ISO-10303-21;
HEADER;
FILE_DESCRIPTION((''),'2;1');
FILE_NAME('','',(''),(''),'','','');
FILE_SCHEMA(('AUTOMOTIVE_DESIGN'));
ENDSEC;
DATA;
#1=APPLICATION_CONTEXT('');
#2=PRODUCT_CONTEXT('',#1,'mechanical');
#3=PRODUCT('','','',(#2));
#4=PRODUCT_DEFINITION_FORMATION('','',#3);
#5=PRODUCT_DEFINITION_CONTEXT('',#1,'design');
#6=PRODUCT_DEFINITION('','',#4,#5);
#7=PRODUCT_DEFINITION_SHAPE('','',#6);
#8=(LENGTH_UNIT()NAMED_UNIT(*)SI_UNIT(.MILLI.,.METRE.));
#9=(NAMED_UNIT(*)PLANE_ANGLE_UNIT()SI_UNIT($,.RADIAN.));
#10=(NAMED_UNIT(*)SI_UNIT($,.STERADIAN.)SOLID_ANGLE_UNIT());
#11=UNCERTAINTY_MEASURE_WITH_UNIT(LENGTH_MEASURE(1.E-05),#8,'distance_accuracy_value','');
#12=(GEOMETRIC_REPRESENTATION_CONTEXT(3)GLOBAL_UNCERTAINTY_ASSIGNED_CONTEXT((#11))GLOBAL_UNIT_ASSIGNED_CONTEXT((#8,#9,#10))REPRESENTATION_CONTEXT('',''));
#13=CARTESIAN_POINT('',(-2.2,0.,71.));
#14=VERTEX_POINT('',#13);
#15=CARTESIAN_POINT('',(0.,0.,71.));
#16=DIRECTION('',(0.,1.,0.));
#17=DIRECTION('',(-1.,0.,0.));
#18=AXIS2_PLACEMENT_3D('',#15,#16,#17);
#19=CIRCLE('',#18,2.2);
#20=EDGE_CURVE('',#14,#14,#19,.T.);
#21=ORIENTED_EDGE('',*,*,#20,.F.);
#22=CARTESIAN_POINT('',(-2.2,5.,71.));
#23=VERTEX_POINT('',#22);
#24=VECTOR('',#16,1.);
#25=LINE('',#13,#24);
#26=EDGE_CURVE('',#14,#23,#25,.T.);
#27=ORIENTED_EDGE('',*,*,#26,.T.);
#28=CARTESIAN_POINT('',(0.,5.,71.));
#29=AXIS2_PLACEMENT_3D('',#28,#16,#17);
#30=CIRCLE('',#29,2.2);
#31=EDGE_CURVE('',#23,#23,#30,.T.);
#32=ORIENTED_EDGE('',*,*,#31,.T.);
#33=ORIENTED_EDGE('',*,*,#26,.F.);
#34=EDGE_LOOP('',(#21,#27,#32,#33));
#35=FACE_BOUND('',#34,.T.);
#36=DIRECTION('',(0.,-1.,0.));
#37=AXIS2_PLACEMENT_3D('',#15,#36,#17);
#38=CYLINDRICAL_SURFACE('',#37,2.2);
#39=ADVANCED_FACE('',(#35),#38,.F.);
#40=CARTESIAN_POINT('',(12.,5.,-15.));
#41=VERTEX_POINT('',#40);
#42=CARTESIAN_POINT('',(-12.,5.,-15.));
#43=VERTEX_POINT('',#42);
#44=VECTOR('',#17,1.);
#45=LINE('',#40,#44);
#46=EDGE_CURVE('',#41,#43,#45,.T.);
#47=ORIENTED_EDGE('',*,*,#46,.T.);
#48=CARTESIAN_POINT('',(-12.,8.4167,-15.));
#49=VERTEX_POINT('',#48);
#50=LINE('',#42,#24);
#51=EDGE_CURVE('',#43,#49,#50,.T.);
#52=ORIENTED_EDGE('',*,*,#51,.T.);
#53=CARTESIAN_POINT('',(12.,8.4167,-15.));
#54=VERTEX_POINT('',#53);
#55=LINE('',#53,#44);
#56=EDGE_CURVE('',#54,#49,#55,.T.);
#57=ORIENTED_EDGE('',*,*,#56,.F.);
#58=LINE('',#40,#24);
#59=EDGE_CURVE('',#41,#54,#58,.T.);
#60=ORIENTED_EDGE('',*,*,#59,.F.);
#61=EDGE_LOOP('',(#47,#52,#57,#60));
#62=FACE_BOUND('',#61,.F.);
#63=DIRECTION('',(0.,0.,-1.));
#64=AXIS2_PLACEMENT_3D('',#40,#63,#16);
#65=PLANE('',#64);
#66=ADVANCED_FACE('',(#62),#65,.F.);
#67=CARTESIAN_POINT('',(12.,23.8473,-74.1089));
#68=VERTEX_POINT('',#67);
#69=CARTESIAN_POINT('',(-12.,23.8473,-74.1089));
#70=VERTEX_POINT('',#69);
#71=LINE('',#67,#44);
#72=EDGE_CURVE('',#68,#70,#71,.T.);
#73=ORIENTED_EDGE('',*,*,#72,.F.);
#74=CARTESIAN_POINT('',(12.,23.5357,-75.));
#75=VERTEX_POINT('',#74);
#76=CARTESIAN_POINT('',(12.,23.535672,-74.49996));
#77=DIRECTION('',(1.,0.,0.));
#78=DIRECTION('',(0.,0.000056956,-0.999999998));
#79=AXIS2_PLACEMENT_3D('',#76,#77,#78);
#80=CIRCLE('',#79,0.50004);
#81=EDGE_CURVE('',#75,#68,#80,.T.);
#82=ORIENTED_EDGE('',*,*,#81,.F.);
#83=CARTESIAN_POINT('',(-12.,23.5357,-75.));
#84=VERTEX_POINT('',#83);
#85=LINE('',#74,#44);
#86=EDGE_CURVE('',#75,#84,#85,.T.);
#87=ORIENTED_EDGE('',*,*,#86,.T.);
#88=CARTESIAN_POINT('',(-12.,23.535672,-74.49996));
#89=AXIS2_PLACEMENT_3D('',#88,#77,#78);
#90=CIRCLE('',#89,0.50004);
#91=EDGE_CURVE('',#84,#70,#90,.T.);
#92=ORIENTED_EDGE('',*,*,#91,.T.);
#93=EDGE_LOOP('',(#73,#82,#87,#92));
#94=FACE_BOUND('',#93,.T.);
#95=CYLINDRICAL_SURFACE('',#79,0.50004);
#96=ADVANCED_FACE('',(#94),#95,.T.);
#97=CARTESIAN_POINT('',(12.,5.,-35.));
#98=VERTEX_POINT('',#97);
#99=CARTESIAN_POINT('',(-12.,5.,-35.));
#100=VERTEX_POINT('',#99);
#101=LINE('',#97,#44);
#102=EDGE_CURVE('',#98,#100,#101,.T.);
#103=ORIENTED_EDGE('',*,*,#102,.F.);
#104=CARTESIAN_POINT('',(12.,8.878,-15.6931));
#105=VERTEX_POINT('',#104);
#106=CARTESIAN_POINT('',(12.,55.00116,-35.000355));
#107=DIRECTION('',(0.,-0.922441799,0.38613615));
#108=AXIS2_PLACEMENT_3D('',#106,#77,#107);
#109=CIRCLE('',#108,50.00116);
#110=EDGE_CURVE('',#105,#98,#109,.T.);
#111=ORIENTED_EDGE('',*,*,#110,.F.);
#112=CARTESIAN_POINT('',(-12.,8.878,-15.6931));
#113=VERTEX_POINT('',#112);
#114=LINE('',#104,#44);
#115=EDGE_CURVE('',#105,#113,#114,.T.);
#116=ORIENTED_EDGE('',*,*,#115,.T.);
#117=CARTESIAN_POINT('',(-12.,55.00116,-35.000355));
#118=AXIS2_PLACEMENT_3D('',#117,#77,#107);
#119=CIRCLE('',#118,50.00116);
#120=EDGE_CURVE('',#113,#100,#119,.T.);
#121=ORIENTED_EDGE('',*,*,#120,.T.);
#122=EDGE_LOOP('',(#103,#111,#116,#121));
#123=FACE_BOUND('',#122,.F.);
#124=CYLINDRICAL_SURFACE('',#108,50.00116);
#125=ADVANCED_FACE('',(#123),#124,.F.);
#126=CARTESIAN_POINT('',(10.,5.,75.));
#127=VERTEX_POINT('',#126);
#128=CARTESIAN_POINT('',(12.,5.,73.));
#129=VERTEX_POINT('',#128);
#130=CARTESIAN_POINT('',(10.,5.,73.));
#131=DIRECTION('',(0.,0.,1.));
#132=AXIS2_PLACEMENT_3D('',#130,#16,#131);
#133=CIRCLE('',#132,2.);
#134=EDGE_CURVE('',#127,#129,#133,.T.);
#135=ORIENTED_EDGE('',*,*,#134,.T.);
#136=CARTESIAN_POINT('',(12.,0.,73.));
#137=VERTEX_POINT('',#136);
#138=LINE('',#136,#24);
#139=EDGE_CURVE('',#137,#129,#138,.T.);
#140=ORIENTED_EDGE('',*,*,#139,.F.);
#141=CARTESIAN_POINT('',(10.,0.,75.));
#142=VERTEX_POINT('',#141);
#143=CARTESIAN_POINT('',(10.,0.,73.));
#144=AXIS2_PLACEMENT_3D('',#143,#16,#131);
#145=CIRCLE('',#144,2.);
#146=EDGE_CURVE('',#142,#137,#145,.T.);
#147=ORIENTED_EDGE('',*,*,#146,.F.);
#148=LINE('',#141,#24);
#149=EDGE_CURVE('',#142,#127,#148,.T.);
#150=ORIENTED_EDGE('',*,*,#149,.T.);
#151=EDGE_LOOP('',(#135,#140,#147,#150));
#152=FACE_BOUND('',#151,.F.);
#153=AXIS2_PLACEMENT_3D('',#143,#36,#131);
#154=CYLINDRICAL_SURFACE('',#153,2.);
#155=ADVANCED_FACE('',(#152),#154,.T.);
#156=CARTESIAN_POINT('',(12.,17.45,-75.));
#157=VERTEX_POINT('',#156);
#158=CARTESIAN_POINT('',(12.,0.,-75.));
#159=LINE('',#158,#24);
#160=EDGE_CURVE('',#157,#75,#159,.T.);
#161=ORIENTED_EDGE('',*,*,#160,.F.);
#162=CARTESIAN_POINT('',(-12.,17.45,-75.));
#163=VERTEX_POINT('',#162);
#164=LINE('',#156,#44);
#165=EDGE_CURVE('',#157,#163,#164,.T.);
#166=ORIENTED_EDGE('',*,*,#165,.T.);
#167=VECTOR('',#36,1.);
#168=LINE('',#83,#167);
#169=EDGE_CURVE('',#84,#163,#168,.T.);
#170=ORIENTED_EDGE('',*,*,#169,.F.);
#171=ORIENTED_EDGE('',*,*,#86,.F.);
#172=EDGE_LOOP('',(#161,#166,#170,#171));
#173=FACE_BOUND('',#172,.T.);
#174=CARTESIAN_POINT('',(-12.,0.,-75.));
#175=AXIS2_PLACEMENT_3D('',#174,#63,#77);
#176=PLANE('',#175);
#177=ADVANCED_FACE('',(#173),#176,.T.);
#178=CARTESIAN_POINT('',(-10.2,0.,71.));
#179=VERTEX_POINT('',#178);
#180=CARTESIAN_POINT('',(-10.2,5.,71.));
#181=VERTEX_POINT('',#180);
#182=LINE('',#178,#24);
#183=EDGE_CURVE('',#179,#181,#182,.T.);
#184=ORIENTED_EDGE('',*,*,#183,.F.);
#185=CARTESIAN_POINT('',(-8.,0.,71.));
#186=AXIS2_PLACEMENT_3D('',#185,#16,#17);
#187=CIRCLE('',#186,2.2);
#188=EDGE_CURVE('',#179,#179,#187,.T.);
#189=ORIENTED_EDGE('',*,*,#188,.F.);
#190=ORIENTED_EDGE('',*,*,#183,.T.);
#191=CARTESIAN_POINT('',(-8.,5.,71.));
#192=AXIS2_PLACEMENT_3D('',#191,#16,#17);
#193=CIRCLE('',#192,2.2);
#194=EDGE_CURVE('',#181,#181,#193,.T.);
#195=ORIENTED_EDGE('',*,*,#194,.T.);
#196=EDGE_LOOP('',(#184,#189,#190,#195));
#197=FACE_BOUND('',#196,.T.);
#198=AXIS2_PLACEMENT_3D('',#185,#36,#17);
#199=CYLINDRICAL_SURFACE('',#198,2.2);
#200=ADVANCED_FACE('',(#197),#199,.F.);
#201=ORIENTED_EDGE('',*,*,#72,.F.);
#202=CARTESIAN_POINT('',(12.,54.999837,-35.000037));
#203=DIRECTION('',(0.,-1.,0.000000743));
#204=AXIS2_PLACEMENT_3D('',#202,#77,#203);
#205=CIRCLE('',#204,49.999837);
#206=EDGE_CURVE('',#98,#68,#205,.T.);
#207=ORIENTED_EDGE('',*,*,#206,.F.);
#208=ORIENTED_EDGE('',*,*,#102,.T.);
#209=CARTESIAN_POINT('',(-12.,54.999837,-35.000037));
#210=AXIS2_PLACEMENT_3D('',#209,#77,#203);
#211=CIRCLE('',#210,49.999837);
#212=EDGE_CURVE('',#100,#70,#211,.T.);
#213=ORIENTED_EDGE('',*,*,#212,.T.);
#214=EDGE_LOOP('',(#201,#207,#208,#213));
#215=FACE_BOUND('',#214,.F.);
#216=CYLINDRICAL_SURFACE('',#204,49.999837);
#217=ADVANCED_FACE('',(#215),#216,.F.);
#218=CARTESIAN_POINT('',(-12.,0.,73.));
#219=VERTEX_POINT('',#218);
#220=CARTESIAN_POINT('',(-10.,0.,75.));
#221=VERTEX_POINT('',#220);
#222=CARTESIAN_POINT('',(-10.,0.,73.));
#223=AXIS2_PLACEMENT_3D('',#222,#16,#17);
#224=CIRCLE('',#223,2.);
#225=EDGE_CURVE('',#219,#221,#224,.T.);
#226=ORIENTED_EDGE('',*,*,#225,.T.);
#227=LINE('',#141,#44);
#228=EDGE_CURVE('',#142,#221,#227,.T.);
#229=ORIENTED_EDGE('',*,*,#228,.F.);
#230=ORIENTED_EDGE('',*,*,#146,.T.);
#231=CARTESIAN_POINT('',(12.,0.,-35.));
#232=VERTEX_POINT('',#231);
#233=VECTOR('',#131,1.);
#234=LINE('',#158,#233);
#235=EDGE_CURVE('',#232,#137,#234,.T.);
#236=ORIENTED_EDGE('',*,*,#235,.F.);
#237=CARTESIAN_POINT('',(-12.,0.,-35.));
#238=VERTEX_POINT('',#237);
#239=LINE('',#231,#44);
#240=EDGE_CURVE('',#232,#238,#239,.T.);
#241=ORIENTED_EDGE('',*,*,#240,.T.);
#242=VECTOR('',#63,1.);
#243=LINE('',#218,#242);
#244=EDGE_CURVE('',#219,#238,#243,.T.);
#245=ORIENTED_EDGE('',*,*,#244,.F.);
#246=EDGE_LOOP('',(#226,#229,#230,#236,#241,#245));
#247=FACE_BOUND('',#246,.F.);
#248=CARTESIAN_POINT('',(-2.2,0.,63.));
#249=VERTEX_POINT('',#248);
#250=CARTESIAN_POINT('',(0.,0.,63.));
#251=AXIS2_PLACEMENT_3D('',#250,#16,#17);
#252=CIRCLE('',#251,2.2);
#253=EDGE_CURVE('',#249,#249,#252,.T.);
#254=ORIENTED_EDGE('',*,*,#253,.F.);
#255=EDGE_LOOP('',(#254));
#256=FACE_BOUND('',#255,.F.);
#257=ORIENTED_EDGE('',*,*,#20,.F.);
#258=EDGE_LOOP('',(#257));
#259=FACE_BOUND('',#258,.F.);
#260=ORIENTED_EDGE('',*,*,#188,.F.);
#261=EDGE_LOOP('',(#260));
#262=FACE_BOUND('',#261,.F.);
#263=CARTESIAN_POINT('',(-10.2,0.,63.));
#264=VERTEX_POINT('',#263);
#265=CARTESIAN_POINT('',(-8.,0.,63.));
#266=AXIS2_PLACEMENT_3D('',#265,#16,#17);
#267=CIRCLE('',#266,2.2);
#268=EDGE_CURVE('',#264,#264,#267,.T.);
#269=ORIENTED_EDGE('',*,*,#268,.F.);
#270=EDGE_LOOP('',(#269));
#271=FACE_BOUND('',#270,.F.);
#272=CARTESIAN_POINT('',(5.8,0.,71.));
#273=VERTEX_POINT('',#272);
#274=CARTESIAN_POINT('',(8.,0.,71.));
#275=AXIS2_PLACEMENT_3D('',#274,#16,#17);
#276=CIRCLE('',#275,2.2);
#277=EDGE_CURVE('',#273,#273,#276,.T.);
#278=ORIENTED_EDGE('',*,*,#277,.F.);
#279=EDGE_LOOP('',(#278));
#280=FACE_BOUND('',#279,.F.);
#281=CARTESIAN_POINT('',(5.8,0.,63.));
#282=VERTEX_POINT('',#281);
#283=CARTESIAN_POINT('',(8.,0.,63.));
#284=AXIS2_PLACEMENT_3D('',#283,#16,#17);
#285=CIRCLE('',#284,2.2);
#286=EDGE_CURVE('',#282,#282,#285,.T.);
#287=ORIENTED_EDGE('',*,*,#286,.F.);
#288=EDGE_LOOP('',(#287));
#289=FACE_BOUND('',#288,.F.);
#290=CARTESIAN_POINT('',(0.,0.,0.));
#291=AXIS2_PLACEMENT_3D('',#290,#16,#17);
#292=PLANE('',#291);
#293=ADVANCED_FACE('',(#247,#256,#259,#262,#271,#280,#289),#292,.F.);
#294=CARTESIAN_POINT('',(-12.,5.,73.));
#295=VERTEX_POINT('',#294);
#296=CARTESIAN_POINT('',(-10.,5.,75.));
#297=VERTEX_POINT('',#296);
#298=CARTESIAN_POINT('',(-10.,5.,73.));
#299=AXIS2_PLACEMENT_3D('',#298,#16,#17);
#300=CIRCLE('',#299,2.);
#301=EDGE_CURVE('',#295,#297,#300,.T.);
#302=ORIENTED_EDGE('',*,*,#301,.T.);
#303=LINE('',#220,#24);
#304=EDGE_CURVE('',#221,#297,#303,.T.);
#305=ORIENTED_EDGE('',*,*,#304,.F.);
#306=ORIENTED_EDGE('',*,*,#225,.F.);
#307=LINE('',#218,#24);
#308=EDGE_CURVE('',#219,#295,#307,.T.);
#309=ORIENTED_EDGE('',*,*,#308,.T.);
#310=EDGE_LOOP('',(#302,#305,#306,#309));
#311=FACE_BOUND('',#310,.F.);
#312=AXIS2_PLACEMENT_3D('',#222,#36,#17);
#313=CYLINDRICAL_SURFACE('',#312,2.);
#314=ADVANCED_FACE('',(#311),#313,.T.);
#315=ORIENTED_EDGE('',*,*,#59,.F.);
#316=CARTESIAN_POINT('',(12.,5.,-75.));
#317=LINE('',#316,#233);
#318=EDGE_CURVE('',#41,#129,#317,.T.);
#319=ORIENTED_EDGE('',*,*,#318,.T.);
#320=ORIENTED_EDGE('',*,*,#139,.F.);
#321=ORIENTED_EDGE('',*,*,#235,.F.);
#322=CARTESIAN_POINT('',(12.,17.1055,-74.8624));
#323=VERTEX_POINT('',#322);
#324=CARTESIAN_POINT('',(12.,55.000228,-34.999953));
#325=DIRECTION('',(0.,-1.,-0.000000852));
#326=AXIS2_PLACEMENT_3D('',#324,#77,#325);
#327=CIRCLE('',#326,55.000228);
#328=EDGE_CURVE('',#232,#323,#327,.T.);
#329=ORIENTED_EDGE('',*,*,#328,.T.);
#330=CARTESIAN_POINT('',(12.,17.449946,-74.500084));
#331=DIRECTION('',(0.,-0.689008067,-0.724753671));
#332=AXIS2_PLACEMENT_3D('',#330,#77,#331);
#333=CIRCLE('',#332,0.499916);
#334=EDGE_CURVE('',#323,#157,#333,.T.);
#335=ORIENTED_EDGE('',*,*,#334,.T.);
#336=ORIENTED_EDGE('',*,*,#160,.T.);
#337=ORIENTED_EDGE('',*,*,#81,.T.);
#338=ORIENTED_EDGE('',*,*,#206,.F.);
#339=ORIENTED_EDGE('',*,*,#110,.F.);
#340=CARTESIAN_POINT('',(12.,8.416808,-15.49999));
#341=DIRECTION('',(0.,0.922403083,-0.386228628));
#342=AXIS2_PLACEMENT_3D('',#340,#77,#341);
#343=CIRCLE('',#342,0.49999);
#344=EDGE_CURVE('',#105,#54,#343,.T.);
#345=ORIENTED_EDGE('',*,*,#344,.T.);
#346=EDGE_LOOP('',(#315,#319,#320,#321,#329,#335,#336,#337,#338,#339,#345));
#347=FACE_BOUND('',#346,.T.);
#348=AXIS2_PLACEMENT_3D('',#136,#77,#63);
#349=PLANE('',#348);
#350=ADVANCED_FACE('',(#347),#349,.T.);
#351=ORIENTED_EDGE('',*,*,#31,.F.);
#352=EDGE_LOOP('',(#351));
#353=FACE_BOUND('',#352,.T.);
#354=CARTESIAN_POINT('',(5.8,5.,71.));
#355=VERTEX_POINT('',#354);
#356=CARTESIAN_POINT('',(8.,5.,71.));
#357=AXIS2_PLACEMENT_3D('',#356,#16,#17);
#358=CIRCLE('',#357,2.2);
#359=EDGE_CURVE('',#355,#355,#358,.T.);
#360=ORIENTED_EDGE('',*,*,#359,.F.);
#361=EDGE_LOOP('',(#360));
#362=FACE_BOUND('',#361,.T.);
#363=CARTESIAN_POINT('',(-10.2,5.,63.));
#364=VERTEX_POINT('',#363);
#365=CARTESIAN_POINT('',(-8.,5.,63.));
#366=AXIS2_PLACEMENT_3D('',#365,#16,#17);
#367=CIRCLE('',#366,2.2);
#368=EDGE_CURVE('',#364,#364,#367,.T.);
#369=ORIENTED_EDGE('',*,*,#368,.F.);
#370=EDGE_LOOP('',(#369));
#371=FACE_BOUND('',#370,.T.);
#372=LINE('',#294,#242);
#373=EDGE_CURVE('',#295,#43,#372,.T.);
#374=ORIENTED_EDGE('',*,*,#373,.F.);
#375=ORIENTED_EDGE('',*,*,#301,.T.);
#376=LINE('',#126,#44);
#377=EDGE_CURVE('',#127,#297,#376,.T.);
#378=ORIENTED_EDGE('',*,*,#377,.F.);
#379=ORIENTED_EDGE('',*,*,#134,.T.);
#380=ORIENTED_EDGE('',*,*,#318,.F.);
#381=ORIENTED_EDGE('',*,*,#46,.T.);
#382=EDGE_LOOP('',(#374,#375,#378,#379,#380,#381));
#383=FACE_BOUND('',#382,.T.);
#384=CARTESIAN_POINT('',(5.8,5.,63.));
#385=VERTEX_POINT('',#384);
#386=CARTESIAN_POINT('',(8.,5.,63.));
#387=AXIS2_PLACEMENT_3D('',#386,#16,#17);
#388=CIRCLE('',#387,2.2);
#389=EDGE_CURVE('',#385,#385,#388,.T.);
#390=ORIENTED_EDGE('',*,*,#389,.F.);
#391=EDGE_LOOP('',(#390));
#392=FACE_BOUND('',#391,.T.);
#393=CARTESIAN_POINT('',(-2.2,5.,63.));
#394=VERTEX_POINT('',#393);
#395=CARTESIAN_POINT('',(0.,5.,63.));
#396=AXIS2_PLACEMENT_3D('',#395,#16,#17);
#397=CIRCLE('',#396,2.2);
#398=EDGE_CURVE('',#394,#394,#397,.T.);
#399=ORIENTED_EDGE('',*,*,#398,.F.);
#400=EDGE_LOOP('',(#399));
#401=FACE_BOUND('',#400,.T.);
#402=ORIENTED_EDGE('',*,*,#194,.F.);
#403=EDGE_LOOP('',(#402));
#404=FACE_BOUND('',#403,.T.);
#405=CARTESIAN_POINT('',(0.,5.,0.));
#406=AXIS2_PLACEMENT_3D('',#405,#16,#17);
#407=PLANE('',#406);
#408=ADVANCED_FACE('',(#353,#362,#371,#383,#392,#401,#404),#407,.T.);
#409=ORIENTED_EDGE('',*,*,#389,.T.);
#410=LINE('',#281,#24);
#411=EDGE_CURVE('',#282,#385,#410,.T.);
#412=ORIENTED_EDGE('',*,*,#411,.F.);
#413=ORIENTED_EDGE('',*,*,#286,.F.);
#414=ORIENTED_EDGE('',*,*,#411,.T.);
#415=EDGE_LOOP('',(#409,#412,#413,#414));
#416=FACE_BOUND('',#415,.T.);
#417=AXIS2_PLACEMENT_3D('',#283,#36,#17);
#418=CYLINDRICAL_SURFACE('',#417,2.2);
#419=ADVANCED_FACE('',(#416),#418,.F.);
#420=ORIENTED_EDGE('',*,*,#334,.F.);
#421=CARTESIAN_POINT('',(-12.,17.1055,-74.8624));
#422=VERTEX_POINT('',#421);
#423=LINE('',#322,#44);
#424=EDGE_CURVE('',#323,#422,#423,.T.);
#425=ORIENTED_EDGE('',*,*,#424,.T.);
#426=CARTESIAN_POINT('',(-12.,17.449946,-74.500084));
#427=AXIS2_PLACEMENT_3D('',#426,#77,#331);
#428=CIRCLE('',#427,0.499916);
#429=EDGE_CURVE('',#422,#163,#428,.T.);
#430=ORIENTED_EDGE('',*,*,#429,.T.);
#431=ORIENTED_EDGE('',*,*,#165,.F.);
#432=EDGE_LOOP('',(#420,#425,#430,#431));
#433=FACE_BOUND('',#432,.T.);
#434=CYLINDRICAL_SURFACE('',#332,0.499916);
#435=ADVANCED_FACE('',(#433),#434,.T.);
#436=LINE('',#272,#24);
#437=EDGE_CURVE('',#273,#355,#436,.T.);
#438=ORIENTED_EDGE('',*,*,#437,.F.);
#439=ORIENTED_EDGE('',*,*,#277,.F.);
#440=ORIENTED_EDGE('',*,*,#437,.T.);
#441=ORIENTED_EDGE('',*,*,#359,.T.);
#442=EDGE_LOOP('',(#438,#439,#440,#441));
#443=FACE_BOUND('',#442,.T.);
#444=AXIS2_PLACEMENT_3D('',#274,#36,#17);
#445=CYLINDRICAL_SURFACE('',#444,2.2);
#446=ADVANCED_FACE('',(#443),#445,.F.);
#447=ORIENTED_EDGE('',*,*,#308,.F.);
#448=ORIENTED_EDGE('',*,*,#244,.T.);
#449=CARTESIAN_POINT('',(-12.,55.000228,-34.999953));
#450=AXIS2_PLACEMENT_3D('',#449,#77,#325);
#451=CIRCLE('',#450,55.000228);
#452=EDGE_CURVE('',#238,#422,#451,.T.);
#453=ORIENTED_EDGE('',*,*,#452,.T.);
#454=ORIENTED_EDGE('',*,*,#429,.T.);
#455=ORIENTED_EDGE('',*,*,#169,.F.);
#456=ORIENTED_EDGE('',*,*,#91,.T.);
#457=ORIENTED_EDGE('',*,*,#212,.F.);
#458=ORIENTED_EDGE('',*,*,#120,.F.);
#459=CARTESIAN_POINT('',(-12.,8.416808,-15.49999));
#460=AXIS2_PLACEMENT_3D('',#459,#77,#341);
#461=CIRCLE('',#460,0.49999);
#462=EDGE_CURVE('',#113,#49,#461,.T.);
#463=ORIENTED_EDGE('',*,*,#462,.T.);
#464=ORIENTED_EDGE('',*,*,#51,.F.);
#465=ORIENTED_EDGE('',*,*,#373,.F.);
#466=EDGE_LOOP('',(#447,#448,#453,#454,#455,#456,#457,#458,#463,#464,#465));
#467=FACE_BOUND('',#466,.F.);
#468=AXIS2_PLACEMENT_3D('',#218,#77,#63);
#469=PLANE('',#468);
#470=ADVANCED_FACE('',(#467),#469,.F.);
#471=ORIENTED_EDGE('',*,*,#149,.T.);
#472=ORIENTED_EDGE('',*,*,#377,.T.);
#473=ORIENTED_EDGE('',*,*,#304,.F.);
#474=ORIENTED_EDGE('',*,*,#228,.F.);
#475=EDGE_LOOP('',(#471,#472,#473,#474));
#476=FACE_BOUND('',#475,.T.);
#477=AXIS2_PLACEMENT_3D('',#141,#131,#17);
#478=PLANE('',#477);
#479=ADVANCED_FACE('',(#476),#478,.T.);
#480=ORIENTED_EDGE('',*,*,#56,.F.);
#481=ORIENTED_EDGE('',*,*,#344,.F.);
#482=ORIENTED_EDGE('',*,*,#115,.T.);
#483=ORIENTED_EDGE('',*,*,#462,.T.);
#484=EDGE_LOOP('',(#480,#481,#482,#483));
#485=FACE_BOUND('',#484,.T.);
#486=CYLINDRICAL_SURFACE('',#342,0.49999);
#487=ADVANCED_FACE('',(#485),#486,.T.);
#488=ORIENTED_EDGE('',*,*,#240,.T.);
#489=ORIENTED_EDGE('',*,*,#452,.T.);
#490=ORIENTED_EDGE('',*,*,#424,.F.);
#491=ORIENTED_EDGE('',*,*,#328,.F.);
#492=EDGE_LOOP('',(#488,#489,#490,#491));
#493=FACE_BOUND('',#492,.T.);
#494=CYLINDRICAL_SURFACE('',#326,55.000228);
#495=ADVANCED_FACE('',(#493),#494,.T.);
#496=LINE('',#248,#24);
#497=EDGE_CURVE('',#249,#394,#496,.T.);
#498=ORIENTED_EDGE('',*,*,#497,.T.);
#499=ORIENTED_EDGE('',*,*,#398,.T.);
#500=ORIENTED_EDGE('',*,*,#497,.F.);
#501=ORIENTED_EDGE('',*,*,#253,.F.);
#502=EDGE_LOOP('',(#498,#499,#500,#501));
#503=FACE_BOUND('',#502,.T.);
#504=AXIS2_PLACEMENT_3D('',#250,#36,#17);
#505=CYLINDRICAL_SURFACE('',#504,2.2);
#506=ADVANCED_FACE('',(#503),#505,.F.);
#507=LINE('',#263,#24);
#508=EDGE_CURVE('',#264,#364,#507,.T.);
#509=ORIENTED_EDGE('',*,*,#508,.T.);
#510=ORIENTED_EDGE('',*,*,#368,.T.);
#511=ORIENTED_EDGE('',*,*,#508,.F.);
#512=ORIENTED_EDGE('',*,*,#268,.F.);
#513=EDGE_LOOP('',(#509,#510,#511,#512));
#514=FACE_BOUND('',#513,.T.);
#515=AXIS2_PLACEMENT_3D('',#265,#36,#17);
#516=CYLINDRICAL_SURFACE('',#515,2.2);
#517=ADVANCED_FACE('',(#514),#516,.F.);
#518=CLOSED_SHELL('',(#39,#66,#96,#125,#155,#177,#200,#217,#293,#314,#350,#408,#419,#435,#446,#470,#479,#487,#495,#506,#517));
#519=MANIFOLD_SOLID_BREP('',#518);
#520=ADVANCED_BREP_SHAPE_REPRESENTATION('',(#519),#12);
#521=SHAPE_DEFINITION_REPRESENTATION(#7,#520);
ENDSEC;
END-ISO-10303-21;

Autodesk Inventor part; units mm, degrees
ref_plane "YZ Plane" through (0, 0, 0) normal (1, 0, 0) x (0, 1, 0)
ref_plane "XZ Plane" through (0, 0, 0) normal (0, 1, 0) x (-1, 0, 0)
ref_plane "XY Plane" through (0, 0, 0) normal (0, 0, 1) x (1, 0, 0)
sketch "Sketch1" plane through (0, 0, 0) normal (0, 1, 0) x (-1, 0, 0)
  line L0 (-10, 75) -> (10, 75)
  line L1 (12, 73) -> (12, -75)
  line L2 (12, -75) -> (-12, -75)
  line L3 (-12, -75) -> (-12, 73)
  line L4 (-12, 75) -> (12, -75) construction
  line L5 (12, 75) -> (-12, -75) construction
  arc A0 (12, 73) -> (10, 75) centre (10, 73) ccw
  arc A1 (-10, 75) -> (-12, 73) centre (-10, 73) ccw
  circle A2 centre (8, 71) radius 2.2
  circle A3 centre (0, 71) radius 2.2
  circle A4 centre (-8, 71) radius 2.2
  circle A5 centre (8, 63) radius 2.2
  circle A6 centre (0, 63) radius 2.2
  circle A7 centre (-8, 63) radius 2.2
  point P0 (0, 0)
  dimension "d0" = 24
  dimension "d1" = 150
  dimension "d2" = 2
  dimension "d3" = 4.4
  dimension "d4" = 4
  dimension "d5" = 4
  dimension "d8" = 8
  dimension "d11" = 8
extrude "Extrusion1" add sketch "Sketch1" along normal blind 5
sketch "Sketch2" plane through (12, 0, 73) normal (1, 0, 0) x (0, 0, -1)
  arc A0 (108, 5) -> (147.1089, 23.8473) centre (108, 55) ccw
  line L0 (0, 5) -> (148, 5) projected
  line L1 (148, 5) -> (148, 23.5357)
  arc A1 (148, 23.5357) -> (147.1089, 23.8473) centre (147.5, 23.5357) ccw
  point P0 (73, 0)
  point P1 (148, 25)
  dimension "d16" = 100
  dimension "d17" = 40
  dimension "d18" = 0.5
extrude "Extrusion2" add sketch "Sketch2" against normal blind 24
sketch "Sketch3" plane through (12, 0, 73) normal (1, 0, 0) x (0, 0, -1)
  line L0 (0, 0) -> (148, 0) projected
  arc A0 (108, 5) -> (147.1089, 23.8473) centre (108, 55) ccw projected
  line L1 (0, 5) -> (108, 5) projected
  arc A1 (108, 0) -> (147.8624, 17.1055) centre (108, 55) ccw
  line L2 (148, 0) -> (148, 23.5357) projected
  line L3 (148, 17.2508) -> (148, 0)
  line L4 (148, 0) -> (108, 0)
  arc A2 (147.8624, 17.1055) -> (148, 17.45) centre (147.5, 17.45) ccw
  point P0 (150, 0)
  dimension "d27" = 1
  dimension "d28" = 17.2508
extrude "Extrusion3" cut sketch "Sketch3" against normal blind 24
sketch "Sketch4" plane through (12, 0, 73) normal (1, 0, 0) x (0, 0, -1)
  arc A0 (88.6931, 8.878) -> (108, 5) centre (108, 55) ccw
  line L0 (0, 5) -> (108, 5) projected
  line L1 (148, 17.45) -> (148, 23.5357) projected
  line L2 (88, 5) -> (88, 8.4167)
  arc A1 (88.6931, 8.878) -> (88, 8.4167) centre (88.5, 8.4167) ccw
  point P0 (73, 0)
  point P1 (88, 9.1742)
  dimension "d31" = 0.5
  dimension "d40" = 20
  dimension "d41" = 50
extrude "Extrusion4" add sketch "Sketch4" against normal blind 24
properties part number "Launcher_Arm_V2"
